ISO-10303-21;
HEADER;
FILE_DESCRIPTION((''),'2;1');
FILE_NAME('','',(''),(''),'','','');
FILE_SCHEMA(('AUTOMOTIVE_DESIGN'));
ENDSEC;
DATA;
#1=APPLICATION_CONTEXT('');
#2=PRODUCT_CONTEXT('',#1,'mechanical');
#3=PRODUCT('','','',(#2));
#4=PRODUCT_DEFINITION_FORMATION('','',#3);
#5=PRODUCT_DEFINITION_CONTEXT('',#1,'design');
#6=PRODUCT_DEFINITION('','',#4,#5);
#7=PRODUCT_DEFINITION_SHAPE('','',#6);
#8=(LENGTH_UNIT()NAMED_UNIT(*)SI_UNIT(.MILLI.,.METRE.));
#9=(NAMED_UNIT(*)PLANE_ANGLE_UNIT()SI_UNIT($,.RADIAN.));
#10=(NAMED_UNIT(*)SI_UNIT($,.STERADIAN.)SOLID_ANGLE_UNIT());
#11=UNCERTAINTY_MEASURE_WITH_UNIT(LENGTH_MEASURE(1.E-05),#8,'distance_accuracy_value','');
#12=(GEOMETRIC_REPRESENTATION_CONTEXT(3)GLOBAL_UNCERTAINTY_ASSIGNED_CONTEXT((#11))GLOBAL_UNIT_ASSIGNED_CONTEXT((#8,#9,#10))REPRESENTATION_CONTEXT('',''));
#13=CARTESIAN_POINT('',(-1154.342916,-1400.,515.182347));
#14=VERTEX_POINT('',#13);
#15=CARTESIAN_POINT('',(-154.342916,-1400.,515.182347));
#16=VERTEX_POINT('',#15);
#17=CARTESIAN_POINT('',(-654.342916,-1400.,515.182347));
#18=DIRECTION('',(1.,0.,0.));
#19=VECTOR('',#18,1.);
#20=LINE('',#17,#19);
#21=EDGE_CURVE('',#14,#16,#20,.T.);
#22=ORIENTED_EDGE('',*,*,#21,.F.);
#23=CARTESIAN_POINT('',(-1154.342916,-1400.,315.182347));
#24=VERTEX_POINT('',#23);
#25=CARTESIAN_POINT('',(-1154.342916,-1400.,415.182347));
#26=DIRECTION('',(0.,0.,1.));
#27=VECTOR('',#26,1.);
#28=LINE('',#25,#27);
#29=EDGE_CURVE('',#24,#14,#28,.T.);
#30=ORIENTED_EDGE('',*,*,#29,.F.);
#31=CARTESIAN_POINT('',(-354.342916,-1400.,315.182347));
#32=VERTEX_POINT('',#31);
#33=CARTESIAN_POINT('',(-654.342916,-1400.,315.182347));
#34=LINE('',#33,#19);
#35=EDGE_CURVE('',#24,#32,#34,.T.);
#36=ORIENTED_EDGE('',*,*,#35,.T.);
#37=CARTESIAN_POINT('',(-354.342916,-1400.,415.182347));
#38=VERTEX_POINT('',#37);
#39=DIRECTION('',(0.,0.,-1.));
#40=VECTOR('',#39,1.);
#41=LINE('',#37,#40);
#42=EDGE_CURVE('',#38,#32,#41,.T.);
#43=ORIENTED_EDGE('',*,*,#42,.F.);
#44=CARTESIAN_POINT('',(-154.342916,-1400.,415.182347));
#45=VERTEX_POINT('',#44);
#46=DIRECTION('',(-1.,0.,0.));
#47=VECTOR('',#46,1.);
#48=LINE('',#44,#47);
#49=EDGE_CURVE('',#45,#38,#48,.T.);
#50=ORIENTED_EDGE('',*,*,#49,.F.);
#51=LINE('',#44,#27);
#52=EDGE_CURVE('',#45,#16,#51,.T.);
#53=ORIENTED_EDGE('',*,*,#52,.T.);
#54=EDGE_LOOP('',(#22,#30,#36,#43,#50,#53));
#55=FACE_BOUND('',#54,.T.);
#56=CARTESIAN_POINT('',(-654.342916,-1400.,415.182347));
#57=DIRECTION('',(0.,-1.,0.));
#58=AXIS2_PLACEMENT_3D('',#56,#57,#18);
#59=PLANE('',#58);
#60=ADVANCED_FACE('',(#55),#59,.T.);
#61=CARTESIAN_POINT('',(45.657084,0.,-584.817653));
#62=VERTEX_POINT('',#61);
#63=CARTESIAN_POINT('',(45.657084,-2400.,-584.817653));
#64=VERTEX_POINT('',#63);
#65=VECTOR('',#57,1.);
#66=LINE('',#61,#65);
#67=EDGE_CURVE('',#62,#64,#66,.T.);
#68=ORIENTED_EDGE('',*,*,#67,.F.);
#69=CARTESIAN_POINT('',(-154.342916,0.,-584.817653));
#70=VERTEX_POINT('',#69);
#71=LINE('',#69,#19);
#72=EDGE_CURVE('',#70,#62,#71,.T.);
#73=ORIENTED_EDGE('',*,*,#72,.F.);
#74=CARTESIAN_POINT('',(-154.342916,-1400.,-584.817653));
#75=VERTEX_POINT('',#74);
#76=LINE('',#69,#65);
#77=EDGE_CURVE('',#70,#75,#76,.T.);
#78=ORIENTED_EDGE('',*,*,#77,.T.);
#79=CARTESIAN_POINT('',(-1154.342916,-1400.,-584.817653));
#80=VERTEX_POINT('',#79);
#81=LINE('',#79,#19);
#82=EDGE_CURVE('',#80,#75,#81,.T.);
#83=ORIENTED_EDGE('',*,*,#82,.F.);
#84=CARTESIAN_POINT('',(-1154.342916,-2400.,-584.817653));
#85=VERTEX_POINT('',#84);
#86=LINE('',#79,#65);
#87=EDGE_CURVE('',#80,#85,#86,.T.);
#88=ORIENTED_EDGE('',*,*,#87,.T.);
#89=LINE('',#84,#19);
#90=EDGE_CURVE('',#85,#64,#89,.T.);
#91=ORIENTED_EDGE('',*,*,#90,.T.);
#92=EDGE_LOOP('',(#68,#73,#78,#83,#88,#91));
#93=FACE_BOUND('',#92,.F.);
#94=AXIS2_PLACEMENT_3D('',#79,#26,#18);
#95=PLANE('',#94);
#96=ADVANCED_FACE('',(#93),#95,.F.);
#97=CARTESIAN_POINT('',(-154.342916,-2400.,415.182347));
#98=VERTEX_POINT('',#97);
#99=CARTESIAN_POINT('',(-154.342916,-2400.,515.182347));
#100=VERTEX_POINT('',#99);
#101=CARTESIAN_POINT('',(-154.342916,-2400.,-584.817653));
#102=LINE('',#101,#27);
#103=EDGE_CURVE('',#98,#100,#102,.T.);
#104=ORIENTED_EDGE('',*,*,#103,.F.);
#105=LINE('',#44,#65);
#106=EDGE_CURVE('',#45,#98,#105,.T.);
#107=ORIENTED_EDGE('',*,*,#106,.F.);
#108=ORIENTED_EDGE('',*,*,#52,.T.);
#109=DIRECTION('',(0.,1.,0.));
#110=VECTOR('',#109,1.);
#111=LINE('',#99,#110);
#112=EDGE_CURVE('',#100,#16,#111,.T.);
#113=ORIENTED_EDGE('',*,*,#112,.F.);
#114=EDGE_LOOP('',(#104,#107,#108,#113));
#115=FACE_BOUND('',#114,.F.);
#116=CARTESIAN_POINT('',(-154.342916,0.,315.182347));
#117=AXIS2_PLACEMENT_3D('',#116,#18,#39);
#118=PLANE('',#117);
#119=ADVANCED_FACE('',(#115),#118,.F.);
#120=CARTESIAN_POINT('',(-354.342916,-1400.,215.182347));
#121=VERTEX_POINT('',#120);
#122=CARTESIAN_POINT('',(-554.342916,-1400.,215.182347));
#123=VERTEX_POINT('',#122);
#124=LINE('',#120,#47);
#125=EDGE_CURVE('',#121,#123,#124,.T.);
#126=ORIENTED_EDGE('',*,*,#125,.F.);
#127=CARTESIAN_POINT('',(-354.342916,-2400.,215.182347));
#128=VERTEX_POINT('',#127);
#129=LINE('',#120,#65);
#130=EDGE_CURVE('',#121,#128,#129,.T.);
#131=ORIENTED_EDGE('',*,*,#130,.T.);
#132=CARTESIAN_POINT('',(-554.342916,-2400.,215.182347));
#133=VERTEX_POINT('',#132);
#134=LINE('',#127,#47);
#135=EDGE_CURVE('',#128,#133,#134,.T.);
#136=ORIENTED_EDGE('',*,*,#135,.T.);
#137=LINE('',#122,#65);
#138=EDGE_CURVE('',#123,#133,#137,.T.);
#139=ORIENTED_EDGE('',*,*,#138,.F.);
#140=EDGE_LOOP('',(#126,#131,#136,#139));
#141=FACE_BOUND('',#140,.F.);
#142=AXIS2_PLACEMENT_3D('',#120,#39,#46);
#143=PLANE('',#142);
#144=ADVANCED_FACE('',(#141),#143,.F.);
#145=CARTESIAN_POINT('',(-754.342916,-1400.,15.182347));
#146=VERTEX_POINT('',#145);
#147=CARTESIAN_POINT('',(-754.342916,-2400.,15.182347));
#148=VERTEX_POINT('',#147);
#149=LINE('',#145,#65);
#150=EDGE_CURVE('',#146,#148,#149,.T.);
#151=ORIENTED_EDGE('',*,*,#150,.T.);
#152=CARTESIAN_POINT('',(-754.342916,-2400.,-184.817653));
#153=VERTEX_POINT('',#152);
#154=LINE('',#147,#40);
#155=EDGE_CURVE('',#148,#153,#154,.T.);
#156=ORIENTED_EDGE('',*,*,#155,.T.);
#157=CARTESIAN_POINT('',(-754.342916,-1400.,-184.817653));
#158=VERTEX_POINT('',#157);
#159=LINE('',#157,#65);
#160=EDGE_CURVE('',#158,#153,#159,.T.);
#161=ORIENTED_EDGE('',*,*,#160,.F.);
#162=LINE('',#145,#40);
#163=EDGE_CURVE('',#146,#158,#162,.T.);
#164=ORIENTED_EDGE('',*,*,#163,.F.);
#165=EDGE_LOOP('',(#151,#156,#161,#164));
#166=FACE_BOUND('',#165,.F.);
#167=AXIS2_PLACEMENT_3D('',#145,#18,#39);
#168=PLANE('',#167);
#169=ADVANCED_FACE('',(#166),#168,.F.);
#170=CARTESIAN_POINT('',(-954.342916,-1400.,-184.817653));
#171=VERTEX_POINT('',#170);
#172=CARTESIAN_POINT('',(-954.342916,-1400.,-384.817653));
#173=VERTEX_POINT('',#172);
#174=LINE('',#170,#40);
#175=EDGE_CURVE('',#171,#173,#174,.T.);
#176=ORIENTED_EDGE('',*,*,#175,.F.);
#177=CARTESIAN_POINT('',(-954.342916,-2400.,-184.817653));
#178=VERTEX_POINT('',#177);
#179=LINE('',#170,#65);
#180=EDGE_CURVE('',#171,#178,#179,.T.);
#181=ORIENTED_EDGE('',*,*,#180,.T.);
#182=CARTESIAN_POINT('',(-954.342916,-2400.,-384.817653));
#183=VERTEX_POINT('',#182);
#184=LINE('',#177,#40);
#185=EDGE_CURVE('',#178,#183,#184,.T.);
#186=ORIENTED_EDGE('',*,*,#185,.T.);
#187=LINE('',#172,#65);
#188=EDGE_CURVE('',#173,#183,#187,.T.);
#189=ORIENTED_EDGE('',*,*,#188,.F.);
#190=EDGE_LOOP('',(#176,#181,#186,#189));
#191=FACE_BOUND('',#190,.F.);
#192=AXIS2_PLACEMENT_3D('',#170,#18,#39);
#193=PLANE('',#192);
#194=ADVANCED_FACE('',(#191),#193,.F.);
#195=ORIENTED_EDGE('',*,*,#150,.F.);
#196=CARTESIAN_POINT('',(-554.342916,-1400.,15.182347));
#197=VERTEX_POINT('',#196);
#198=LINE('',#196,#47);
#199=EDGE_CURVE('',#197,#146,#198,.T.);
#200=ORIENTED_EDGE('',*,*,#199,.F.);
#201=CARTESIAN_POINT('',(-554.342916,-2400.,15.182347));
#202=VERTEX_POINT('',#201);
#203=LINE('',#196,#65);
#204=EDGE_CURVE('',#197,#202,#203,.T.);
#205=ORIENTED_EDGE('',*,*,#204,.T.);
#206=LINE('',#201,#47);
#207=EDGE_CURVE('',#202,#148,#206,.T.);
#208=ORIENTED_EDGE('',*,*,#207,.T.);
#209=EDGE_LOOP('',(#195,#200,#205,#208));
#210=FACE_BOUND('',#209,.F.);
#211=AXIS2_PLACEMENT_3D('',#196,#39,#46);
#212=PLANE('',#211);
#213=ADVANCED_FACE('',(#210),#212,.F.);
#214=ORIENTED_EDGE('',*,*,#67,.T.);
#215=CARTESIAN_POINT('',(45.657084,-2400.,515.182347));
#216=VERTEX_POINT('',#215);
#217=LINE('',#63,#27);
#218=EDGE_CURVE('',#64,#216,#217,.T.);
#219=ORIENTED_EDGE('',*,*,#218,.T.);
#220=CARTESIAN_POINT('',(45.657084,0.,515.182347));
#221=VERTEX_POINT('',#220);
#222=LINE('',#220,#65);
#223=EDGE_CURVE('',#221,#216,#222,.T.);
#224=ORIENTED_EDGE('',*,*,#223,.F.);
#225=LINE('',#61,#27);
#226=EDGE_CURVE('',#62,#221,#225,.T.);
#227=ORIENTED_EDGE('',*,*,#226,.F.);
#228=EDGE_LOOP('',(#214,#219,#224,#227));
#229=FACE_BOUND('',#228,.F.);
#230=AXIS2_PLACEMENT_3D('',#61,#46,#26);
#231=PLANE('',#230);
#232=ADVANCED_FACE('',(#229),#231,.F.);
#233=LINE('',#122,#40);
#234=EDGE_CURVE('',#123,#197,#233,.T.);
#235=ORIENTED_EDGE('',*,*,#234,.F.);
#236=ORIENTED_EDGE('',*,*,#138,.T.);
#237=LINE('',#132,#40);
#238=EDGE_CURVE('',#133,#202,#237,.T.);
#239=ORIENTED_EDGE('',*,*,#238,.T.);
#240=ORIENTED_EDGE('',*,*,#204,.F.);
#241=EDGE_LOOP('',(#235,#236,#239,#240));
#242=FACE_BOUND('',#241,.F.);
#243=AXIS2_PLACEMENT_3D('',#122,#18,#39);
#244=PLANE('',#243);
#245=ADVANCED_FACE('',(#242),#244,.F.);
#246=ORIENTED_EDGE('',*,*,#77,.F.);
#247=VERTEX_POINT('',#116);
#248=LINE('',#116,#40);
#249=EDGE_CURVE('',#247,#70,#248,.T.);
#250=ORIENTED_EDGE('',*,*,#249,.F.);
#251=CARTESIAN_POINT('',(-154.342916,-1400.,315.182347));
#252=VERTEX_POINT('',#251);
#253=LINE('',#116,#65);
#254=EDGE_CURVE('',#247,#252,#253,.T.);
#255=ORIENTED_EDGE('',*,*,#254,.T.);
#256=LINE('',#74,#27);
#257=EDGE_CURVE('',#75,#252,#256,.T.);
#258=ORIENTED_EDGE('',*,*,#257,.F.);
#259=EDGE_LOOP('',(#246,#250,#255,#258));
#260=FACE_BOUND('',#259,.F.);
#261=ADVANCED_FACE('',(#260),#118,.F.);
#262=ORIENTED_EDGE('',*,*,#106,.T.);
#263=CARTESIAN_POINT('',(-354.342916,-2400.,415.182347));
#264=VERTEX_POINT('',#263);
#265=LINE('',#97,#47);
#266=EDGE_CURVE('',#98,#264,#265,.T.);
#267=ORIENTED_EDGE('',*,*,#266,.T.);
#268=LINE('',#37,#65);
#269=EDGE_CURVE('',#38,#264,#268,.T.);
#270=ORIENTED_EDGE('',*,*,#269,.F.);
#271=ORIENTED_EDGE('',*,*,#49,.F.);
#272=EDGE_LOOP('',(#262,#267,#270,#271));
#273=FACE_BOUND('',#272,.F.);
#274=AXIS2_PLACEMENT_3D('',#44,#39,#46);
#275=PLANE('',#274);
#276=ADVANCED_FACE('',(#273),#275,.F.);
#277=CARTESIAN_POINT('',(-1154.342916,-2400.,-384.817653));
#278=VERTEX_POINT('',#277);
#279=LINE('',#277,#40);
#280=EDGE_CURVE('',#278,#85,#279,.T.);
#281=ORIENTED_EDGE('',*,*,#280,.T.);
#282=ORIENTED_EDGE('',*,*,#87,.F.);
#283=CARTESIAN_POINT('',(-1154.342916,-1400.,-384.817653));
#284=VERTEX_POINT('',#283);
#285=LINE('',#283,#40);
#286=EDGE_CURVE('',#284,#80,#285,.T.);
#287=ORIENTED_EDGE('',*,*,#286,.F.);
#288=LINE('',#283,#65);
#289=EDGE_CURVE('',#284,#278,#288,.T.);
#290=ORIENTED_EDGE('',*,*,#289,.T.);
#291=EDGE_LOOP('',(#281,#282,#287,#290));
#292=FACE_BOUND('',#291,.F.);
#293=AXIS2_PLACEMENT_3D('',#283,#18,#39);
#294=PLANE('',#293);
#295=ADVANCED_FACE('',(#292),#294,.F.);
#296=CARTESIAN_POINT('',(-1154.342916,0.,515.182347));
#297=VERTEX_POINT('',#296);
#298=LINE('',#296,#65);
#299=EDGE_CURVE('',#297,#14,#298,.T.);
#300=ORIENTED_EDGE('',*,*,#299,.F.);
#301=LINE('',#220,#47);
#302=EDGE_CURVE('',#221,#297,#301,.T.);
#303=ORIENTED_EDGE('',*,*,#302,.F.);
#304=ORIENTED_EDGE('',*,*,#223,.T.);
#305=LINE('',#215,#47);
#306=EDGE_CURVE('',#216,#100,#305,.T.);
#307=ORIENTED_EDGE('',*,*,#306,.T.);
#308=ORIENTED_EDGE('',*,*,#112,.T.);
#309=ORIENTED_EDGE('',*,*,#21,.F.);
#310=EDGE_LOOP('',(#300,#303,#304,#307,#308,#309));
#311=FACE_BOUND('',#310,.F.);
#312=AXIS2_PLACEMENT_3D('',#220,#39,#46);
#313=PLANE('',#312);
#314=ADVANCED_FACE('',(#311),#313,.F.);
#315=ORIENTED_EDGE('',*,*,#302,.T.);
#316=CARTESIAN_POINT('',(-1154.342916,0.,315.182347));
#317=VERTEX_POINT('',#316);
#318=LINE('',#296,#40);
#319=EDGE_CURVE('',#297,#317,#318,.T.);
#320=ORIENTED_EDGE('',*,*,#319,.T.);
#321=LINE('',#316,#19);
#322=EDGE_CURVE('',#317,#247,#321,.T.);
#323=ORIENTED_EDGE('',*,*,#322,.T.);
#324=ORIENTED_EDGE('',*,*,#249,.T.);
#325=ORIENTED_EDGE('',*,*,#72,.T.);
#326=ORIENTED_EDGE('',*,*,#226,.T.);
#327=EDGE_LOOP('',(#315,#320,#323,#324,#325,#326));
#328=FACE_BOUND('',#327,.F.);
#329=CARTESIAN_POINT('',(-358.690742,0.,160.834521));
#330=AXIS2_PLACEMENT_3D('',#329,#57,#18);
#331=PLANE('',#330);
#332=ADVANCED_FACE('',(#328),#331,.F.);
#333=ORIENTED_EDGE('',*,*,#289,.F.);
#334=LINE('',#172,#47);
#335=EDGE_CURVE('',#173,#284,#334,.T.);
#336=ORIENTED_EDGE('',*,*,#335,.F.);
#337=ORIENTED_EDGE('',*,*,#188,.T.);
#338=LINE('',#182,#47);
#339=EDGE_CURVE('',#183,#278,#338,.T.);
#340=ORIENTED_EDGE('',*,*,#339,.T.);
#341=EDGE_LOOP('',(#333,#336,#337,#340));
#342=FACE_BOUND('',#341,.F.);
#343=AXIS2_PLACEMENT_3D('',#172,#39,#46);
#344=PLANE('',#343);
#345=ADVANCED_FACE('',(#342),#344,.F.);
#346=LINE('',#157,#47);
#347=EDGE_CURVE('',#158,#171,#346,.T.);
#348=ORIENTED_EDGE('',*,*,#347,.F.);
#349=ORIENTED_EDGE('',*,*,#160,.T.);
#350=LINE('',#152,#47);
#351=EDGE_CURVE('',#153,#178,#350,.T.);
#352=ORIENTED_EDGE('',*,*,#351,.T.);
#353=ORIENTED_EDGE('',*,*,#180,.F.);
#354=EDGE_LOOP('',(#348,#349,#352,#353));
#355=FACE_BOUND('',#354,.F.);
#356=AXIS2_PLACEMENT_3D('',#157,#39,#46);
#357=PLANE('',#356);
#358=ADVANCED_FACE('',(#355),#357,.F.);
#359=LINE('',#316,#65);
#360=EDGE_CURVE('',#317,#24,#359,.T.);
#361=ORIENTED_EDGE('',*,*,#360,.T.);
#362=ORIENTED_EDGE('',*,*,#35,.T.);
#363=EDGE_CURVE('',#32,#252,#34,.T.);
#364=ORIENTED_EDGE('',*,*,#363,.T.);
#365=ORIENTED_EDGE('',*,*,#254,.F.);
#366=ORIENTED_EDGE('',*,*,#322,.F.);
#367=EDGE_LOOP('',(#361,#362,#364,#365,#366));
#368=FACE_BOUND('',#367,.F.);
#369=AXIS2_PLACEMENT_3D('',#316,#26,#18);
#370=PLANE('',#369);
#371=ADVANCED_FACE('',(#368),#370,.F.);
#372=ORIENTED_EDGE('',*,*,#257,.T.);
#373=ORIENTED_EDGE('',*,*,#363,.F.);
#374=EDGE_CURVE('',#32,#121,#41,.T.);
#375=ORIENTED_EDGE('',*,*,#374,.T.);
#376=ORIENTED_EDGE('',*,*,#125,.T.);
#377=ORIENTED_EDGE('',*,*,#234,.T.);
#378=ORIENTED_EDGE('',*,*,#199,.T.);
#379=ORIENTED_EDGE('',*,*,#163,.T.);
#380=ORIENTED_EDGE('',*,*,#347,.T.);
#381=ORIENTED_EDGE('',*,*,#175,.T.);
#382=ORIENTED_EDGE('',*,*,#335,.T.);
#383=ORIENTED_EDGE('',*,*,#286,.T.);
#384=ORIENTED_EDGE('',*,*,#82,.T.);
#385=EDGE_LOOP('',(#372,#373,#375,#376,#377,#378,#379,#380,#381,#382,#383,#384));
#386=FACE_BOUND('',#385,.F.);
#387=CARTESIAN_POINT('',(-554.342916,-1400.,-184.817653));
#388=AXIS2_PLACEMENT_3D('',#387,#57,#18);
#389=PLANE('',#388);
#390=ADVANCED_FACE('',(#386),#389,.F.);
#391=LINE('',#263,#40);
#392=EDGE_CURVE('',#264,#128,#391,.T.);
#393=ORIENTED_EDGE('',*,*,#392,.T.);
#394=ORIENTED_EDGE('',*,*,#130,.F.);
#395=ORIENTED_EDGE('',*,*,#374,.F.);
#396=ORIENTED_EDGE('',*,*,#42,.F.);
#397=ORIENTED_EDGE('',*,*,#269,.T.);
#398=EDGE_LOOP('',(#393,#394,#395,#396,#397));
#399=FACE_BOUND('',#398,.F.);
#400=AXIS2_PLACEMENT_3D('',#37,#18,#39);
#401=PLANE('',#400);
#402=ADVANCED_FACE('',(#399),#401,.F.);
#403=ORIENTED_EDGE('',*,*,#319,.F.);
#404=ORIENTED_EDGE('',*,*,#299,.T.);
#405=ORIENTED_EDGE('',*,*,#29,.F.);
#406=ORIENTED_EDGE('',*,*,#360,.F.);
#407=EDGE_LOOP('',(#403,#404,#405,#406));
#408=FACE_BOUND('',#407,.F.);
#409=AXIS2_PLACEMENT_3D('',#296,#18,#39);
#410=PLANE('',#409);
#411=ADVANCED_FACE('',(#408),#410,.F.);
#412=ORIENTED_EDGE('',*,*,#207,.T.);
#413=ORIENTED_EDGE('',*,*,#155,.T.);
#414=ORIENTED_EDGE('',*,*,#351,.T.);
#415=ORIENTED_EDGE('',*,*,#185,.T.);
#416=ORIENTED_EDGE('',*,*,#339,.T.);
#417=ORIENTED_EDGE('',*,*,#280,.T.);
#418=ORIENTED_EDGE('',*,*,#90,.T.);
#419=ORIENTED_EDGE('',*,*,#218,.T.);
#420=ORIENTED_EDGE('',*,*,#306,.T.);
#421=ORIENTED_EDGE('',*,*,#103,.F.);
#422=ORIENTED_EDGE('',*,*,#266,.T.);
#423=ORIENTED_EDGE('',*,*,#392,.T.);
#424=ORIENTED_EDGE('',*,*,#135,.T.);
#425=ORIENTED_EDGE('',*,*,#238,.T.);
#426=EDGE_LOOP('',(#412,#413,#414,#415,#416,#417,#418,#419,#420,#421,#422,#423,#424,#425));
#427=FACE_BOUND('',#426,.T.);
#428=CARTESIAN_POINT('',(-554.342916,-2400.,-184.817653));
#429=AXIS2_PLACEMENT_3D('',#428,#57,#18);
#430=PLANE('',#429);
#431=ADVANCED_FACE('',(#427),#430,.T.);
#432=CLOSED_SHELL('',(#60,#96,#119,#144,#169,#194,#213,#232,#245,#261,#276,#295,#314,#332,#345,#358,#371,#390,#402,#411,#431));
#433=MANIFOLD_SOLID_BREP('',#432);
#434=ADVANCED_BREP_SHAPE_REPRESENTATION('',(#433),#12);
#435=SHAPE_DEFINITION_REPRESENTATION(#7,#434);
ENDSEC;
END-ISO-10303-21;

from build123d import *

# Parameters (mm, degrees)
F1_DEPTH = 2400
F2_W     = 1000
F2_H     = 200
F3_DEPTH = 1000
F5_DEPTH = 1000


with BuildPart() as f1:
    # F0 (on Front) → F1 (new body)
    with BuildSketch(Plane.XZ):
        Polygon((-1154.342916, 315.182347), (-154.342916, 315.182347), (-154.342916, -584.817653), (45.657084, -584.817653), (45.657084, 515.182347), (-1154.342916, 515.182347), align=None)
    extrude(amount=F1_DEPTH)

    # F2 (on face) → F3 (cut)
    with BuildSketch(Plane.XZ.offset(2400)):
        with Locations((-654.342916, 415.182347)):
            Rectangle(F2_W, F2_H)
    extrude(amount=-F3_DEPTH, mode=Mode.SUBTRACT)

    # F4 (on face) → F5 (join)
    with BuildSketch(Plane.XZ.offset(1400)):
        Polygon((-954.342916, -384.817653), (-1154.342916, -384.817653), (-1154.342916, -584.817653), (-154.342916, -584.817653), (-154.342916, 415.182347), (-354.342916, 415.182347), (-354.342916, 215.182347), (-554.342916, 215.182347), (-554.342916, 15.182347), (-754.342916, 15.182347), (-754.342916, -184.817653), (-954.342916, -184.817653), align=None)
    extrude(amount=F5_DEPTH)


solid = f1.part
